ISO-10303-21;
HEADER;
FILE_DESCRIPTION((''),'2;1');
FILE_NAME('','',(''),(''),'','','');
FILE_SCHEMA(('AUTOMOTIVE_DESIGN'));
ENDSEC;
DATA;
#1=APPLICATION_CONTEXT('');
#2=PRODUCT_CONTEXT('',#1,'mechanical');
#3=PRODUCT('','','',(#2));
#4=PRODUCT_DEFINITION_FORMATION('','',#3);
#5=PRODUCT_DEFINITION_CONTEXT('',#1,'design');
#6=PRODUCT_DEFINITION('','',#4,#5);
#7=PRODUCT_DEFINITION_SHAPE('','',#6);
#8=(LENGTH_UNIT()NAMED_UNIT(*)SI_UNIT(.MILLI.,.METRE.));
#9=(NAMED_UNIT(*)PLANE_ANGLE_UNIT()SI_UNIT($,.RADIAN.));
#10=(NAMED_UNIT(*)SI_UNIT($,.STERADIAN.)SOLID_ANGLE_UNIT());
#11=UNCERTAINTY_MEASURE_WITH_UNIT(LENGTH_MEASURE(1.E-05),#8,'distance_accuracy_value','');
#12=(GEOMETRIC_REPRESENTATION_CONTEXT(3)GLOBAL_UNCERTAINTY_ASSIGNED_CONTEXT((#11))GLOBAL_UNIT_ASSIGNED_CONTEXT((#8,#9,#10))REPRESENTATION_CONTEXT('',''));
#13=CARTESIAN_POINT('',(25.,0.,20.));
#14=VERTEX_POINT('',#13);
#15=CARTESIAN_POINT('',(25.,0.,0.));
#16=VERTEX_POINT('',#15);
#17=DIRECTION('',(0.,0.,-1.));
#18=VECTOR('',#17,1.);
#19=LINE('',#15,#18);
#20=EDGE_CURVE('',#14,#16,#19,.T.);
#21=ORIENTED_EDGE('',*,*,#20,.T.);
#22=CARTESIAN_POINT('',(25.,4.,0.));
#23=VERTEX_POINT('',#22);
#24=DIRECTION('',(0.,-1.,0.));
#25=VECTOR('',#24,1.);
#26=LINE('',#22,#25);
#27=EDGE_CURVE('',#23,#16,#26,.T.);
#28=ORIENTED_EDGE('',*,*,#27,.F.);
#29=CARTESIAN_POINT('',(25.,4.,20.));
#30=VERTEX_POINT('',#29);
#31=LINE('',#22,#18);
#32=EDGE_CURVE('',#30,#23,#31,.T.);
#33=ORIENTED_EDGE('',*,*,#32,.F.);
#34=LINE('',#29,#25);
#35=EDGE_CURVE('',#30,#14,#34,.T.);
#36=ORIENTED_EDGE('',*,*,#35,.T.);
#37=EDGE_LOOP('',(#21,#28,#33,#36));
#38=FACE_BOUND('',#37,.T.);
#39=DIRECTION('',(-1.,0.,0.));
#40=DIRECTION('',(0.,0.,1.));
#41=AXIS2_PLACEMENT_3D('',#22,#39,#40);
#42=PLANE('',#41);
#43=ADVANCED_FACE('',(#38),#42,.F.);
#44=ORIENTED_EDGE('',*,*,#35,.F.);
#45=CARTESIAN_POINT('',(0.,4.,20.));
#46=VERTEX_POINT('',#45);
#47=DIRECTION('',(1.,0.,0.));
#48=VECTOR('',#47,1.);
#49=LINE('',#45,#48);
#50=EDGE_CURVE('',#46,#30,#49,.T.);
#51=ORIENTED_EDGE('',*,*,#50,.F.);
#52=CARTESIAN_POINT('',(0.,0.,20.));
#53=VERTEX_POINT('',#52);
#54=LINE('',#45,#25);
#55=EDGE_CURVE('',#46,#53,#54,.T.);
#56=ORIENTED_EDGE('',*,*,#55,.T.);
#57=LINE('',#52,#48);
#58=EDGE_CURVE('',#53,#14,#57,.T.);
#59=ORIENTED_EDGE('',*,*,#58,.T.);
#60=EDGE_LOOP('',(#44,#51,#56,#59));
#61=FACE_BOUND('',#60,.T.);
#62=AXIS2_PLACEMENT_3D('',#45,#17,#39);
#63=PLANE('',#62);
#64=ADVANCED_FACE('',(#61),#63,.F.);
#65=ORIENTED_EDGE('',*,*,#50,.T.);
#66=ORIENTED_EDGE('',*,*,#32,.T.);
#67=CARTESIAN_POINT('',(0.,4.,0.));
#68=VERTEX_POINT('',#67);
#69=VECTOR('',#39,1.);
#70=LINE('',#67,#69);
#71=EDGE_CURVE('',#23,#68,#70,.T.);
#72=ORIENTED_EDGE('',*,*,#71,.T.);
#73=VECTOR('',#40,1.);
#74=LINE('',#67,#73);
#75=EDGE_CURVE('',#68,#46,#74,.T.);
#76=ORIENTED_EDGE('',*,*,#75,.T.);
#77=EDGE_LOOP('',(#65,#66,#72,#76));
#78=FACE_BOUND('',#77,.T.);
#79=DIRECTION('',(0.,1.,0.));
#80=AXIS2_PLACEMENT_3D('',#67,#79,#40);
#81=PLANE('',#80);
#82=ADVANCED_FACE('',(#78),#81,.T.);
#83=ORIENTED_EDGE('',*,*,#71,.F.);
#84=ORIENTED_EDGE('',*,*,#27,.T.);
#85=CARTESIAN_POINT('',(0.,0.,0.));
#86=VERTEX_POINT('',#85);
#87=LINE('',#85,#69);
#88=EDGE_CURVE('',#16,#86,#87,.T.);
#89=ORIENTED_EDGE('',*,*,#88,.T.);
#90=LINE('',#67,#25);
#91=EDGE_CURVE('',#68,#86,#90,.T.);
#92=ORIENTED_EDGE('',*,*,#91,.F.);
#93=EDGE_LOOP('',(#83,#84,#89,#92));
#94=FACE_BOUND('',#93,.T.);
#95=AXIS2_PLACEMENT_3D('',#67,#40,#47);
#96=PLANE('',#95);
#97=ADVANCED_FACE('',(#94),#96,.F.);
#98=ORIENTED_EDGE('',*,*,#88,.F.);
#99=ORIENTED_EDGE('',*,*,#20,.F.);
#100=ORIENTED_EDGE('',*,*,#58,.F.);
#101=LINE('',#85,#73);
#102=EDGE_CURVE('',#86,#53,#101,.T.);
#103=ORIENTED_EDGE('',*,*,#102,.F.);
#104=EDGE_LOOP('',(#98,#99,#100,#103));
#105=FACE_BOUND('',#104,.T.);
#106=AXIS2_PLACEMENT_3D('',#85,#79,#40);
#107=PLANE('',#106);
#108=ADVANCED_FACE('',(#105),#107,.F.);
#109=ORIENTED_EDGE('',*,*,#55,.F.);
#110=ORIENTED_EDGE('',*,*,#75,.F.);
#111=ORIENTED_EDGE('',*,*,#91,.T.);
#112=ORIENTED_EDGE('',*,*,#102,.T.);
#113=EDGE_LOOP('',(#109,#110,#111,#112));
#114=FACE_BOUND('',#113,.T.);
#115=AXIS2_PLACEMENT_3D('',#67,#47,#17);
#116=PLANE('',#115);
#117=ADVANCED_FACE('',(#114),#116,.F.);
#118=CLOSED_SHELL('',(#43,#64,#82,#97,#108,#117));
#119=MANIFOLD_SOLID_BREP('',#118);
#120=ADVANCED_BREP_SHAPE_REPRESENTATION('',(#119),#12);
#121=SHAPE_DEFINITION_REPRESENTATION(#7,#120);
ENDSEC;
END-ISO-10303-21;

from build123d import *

# Parameters (mm, degrees)
SKETCH_1_W      = 25
SKETCH_1_H      = 20
EXTRUDE_1_DEPTH = 4


with BuildPart() as part:
    # 草图1 → 凸台-拉伸1 (new body)
    with BuildSketch(Plane(origin=(0, 0, 0), x_dir=(1, 0, 0), z_dir=(0, 1, 0))):
        with Locations((12.5, -10)):
            Rectangle(SKETCH_1_W, SKETCH_1_H)
    extrude(amount=EXTRUDE_1_DEPTH)


solid = part.part
